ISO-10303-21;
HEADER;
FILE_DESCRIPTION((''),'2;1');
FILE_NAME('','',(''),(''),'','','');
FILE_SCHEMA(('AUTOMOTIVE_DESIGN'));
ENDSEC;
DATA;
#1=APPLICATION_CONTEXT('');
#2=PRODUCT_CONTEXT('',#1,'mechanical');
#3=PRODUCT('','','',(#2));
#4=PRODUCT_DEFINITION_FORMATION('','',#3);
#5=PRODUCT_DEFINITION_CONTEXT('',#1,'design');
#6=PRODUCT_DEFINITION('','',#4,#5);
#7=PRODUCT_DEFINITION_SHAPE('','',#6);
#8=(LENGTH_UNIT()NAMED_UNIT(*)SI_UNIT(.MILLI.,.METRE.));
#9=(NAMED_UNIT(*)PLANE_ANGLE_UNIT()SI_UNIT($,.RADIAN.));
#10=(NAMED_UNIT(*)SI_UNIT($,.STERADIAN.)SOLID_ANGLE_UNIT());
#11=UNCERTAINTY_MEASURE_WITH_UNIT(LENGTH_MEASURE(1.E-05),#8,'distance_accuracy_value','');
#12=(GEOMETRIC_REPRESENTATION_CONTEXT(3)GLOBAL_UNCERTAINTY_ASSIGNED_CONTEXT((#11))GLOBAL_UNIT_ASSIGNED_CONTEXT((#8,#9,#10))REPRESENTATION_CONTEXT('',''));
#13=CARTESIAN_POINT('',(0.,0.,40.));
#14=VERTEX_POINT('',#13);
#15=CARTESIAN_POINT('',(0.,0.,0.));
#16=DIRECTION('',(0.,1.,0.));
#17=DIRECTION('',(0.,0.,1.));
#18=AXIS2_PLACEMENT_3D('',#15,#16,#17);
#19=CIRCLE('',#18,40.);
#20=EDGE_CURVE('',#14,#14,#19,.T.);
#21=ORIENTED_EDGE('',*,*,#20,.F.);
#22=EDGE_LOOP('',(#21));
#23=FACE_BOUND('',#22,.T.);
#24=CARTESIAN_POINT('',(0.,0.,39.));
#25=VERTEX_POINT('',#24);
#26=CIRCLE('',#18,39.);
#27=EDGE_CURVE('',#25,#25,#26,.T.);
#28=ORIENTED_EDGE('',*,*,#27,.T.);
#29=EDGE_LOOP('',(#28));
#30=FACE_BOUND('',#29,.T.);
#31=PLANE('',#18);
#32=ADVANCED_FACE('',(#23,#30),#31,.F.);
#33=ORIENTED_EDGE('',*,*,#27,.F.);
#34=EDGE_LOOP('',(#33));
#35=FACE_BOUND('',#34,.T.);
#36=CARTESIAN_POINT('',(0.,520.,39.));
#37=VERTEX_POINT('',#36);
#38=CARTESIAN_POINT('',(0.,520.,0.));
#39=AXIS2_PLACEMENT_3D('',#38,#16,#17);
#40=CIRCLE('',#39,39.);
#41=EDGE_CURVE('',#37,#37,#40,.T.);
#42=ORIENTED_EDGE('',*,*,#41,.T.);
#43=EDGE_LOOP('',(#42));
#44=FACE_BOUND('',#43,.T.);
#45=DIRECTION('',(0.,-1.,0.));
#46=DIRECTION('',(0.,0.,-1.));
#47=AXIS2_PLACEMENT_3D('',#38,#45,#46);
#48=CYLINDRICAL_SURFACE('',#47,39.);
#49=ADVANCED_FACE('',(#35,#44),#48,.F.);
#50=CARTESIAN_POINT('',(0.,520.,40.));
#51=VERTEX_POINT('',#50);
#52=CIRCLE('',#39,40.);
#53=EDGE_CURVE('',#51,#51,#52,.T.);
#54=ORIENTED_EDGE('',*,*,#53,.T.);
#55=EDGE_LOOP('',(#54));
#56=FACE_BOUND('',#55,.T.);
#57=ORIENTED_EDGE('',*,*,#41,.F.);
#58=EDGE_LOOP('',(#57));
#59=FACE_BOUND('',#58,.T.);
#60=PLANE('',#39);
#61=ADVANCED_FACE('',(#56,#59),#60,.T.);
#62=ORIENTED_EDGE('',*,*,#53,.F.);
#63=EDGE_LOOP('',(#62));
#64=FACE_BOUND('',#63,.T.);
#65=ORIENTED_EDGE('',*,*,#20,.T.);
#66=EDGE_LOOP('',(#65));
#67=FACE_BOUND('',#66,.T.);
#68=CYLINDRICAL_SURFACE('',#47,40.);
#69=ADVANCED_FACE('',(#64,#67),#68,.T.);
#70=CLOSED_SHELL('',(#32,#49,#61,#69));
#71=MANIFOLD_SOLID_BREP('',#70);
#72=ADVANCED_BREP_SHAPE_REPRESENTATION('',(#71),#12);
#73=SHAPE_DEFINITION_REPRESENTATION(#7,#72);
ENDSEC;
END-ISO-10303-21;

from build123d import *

# Parameters (mm, degrees)
SKETCH2_R   = 40
SKETCH2_R_2 = 39
BODY_DEPTH  = 520


with BuildPart() as part:
    # Sketch2 → body (new body)
    with BuildSketch(Plane(origin=(0, 0, 0), x_dir=(1, 0, 0), z_dir=(0, 1, 0))):
        with Locations(Location((0, 0, 0), (0, 0, 270))):
            Circle(SKETCH2_R)
        with Locations(Location((0, 0, 0), (0, 0, 270))):
            Circle(SKETCH2_R_2, mode=Mode.SUBTRACT)
    extrude(amount=BODY_DEPTH)


solid = part.part
